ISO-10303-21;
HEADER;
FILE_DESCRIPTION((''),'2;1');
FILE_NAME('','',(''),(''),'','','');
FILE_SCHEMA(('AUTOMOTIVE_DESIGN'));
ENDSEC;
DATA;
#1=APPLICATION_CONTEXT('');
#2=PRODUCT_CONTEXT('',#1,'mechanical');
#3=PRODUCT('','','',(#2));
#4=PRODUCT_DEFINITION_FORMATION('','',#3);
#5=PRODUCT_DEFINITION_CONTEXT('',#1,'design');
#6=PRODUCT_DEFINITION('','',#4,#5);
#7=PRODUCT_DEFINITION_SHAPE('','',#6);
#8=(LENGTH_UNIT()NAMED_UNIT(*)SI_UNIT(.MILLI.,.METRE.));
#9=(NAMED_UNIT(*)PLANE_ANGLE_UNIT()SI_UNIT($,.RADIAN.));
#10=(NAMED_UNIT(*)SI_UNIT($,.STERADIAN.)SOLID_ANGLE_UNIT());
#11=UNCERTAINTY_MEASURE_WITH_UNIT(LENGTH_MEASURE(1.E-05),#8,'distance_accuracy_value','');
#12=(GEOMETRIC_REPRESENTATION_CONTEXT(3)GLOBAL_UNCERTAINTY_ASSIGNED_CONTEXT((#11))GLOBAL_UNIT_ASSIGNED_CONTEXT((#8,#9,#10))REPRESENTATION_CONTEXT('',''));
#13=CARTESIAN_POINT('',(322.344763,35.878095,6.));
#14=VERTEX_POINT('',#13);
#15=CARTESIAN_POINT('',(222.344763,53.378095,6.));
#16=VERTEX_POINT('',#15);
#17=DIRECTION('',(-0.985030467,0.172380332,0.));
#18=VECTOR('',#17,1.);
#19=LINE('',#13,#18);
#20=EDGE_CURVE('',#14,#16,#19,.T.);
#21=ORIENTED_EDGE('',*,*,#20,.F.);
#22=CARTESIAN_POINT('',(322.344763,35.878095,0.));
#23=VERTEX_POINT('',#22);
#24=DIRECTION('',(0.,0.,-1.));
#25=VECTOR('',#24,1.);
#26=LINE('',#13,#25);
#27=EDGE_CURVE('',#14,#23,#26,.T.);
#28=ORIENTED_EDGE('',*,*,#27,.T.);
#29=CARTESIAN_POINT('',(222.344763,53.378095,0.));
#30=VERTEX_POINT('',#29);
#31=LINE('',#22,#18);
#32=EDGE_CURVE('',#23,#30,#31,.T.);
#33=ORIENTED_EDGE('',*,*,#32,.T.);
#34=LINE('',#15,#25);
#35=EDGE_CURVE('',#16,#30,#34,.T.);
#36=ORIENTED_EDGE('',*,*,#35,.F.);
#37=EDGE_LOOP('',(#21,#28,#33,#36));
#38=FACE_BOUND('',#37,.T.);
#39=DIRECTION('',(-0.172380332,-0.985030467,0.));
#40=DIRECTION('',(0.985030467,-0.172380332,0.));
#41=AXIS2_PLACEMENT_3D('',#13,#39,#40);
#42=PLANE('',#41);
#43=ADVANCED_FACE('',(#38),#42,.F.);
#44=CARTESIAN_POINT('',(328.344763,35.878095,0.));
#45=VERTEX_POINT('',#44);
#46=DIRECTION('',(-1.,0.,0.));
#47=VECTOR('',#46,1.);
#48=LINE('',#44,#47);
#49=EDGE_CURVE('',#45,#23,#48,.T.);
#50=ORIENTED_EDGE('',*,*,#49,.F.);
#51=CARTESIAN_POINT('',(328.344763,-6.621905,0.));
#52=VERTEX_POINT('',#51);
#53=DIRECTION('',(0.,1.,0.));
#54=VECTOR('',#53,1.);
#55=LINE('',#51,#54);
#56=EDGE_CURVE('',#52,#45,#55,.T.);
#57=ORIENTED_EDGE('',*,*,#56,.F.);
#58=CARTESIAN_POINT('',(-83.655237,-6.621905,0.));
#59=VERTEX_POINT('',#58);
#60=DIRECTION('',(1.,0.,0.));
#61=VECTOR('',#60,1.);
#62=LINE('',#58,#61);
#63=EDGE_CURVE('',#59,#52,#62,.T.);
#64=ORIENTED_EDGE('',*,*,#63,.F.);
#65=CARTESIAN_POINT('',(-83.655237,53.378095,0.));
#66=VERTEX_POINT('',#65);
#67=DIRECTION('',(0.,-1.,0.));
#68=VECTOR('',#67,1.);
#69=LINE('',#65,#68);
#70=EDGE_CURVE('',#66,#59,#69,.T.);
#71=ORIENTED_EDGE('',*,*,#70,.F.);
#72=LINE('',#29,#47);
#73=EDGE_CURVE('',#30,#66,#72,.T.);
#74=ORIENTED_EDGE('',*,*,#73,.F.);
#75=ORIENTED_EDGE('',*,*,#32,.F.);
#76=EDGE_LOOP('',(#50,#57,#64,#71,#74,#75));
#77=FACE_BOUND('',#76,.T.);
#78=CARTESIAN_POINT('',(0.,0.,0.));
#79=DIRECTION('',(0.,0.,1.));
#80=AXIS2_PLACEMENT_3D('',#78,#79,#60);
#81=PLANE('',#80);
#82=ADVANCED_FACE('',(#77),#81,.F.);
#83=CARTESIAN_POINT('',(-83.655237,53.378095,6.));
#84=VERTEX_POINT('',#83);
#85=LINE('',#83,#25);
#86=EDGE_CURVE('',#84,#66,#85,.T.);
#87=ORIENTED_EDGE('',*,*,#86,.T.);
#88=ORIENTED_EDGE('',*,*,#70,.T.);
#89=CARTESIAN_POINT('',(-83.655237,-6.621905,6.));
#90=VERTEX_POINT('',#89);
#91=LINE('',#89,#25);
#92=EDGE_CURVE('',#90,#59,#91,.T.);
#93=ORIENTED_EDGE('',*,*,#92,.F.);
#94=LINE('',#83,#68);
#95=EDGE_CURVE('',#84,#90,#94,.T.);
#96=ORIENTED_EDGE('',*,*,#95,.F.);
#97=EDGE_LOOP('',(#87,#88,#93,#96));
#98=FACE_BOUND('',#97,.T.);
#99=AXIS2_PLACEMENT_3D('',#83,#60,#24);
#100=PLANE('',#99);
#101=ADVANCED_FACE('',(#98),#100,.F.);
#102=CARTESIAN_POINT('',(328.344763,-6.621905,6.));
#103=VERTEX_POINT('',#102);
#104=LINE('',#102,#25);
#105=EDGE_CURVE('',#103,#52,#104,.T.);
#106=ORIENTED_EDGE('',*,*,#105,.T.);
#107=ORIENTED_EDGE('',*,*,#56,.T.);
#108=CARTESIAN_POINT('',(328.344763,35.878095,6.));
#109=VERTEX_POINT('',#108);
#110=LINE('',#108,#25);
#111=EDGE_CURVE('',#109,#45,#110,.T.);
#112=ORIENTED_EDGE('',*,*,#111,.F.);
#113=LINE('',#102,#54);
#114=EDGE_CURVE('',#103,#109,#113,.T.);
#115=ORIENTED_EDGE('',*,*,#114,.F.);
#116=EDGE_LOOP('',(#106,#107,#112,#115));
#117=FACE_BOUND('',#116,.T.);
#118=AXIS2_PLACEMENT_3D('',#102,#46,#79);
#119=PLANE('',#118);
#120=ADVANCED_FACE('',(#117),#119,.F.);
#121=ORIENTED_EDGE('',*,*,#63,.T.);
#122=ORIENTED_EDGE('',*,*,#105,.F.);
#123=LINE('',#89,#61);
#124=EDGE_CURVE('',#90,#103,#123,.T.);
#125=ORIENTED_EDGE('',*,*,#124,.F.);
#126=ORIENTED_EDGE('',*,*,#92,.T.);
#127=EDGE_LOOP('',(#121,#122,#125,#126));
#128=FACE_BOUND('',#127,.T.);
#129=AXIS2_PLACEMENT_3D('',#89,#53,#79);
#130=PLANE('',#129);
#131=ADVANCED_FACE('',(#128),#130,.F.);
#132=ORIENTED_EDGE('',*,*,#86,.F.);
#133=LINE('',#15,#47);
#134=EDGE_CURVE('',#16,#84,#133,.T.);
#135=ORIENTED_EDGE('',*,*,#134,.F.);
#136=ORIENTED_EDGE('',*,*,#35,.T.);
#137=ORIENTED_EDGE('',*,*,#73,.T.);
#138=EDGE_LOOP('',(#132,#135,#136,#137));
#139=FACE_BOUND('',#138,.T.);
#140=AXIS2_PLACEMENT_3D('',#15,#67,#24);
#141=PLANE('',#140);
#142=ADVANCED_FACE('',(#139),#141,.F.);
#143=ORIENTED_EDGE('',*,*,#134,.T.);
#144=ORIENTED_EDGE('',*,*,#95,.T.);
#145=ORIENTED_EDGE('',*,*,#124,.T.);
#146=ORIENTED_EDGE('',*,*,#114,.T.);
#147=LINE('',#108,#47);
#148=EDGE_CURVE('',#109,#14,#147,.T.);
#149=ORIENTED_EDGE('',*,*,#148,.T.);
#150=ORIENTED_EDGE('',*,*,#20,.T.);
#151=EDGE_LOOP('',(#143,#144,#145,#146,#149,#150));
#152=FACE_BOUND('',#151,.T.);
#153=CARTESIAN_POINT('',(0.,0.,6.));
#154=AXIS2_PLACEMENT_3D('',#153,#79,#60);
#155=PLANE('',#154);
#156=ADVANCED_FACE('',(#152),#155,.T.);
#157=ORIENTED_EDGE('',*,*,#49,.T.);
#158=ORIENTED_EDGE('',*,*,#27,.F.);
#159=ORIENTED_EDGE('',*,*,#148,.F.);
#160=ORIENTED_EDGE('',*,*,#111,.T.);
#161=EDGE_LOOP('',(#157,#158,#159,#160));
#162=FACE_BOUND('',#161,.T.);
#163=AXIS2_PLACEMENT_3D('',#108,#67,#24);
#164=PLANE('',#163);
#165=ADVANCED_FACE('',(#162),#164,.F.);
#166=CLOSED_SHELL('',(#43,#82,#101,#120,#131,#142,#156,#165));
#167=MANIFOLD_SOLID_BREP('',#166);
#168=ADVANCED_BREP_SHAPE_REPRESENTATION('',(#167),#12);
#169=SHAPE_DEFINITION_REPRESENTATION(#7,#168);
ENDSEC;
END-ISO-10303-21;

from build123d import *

# Parameters (mm, degrees)
BOSS_EXTRUDE1_DEPTH = 6


with BuildPart() as part:
    # Sketch1 → Boss-Extrude1 (new body)
    with BuildSketch(Plane.XY):
        Polygon((-83.65523725, 53.378094506), (-83.65523725, -6.621905494), (328.34476275, -6.621905494), (328.34476275, 35.878094506), (322.34476275, 35.878094506), (222.34476275, 53.378094506), align=None)
    extrude(amount=BOSS_EXTRUDE1_DEPTH)


solid = part.part
